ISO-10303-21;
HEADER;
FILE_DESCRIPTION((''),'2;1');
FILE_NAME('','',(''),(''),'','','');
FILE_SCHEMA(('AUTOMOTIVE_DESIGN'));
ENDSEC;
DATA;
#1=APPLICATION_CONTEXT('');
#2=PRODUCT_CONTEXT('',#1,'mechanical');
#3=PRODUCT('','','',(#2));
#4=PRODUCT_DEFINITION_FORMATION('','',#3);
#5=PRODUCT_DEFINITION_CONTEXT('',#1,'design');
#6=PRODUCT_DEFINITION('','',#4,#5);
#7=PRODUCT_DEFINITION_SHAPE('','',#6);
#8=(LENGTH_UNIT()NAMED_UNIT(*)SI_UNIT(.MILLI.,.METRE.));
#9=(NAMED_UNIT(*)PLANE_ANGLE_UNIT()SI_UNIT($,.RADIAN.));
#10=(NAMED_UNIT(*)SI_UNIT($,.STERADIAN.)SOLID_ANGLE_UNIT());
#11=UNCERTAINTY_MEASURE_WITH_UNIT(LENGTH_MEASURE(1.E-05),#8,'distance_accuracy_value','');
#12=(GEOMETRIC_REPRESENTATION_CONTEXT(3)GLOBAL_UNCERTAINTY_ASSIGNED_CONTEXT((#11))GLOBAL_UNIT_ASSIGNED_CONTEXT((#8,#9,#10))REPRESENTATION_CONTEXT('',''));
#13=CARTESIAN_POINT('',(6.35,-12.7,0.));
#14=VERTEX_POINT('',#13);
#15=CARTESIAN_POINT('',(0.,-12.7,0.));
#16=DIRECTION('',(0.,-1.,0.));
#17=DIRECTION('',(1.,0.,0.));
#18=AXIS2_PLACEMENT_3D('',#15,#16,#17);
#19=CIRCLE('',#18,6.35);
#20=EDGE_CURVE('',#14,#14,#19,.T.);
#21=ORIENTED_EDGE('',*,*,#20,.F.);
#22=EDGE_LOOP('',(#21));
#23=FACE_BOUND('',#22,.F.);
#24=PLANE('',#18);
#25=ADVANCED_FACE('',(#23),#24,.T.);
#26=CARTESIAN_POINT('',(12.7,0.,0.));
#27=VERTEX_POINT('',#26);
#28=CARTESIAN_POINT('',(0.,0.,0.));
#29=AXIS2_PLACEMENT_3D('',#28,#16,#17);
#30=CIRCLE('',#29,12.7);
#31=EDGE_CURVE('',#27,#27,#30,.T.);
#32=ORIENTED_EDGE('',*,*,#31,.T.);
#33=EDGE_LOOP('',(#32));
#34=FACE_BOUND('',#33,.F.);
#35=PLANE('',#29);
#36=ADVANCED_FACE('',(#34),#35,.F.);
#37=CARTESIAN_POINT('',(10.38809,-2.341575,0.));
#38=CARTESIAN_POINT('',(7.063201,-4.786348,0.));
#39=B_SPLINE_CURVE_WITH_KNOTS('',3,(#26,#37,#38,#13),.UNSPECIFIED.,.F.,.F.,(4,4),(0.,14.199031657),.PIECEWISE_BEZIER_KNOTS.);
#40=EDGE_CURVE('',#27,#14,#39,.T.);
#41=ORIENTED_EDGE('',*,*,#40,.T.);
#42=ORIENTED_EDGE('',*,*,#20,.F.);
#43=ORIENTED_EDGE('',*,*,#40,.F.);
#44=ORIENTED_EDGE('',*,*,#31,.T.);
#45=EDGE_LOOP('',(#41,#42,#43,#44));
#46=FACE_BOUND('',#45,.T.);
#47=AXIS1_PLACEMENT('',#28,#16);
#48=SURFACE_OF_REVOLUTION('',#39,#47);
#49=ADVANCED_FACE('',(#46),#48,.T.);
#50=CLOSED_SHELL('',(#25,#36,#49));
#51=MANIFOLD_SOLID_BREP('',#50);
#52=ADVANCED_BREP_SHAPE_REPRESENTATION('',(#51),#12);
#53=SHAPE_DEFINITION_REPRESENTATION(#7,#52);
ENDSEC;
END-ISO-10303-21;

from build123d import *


with BuildPart() as f2:
    # F1 (on Top) → F2 (revolve)
    with BuildSketch(Plane.XY):
        with BuildLine():
            Line((12.7, 0), (0, 0))
            Line((0, 0), (0, -12.7))
            Line((0, -12.7), (6.35, -12.7))
            add(Edge.make_bspline(
                [(12.7, 0), (10.3880902752, -2.3415754549), (7.0632006973, -4.7863475047), (6.35, -12.7)],
                knots=[0, 0, 0, 0, 14.1990316571, 14.1990316571, 14.1990316571, 14.1990316571], degree=3))
        make_face()
    revolve(axis=Axis((0, 0, 0), (0, -1, 0)))


solid = f2.part
